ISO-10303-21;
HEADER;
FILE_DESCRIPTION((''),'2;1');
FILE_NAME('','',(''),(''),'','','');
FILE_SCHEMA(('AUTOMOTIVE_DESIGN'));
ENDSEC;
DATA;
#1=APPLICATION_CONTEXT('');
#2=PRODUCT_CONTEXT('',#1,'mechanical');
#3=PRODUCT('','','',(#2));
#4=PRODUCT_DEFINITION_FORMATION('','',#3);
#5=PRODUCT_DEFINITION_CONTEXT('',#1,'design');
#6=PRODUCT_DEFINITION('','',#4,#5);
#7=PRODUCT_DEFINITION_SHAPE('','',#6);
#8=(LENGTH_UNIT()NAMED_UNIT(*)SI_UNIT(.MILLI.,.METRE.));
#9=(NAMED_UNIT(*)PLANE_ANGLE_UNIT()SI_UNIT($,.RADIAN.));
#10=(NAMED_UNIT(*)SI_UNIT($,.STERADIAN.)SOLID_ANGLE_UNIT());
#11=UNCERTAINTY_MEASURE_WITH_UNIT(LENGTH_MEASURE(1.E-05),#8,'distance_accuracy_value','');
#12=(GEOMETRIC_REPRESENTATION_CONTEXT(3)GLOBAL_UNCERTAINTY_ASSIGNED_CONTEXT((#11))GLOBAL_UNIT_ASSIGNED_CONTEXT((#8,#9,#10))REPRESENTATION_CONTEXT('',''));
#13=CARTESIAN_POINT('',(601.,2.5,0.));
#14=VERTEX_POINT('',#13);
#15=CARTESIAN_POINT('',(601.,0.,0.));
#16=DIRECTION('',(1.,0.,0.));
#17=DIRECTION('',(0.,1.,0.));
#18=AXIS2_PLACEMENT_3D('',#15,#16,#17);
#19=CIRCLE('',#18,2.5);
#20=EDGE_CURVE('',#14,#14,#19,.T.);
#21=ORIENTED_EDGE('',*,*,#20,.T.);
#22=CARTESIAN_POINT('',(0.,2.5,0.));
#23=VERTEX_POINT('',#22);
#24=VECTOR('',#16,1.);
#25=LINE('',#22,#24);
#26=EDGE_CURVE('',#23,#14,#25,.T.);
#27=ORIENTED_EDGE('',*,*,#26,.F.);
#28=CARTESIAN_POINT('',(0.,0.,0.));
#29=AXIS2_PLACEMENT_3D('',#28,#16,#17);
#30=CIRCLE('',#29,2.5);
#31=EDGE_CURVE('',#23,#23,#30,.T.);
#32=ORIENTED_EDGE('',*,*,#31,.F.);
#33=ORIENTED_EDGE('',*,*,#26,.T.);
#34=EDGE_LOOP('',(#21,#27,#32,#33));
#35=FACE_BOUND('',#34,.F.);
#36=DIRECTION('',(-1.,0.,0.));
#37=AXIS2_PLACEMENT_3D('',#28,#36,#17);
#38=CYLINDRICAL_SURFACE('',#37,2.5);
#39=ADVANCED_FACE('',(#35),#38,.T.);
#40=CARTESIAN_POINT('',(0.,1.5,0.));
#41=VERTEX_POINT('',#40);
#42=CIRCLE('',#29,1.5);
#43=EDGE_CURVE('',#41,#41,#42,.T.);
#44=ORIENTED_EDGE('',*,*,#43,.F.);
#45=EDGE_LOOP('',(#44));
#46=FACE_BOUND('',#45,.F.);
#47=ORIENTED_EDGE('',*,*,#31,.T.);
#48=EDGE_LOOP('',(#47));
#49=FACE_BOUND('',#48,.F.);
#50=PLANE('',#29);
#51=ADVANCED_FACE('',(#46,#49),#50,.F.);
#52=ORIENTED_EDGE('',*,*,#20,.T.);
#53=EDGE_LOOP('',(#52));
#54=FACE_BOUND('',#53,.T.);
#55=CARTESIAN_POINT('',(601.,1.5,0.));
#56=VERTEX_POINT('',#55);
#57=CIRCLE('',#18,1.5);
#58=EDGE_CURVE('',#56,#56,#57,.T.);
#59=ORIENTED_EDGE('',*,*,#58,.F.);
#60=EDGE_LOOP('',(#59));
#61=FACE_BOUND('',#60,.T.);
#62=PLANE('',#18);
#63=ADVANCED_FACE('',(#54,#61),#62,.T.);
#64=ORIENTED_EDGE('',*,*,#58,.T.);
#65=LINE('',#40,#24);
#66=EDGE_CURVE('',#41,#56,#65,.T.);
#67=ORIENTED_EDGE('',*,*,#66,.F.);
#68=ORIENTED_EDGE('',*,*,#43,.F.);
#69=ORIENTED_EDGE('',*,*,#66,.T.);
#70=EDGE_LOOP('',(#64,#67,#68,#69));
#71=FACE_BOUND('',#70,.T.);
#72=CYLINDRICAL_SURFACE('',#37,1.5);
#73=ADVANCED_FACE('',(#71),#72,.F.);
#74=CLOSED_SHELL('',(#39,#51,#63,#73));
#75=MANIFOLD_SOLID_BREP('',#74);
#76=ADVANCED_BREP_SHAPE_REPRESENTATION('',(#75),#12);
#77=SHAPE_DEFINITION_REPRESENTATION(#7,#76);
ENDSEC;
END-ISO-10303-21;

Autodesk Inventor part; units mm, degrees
ref_plane "YZ Plane" through (0, 0, 0) normal (1, 0, 0) x (0, 1, 0)
ref_plane "XZ Plane" through (0, 0, 0) normal (0, 1, 0) x (-1, 0, 0)
ref_plane "XY Plane" through (0, 0, 0) normal (0, 0, 1) x (1, 0, 0)
sketch "Sketch7" plane through (0, 0, 0) normal (1, 0, 0) x (0, 1, 0)
  circle A0 centre (0, 0) radius 1.5
  circle A1 centre (0, 0) radius 2.5
  dimension "d85" = 3
  dimension "d86" = 5
extrude "Extrusion3" add sketch "Sketch7" along normal blind 601
ref_plane "Work Plane2" through (300.5, 0, 0) normal (1, 0, 0) x (0, 0, -1)
sketch "Sketch8" plane through (300.5, 0, 0) normal (1, 0, 0) x (0, 0, -1)
  circle A0 centre (0, 0) radius 2.5 projected
  line L0 (-2.5, 0) -> (2.5, 0)
ref_plane "Work Plane3" through (300.5, 0, 2.5) normal (0, 0, 1) x (1, 0, 0)
properties part number "6P-002" material "CFRP"
